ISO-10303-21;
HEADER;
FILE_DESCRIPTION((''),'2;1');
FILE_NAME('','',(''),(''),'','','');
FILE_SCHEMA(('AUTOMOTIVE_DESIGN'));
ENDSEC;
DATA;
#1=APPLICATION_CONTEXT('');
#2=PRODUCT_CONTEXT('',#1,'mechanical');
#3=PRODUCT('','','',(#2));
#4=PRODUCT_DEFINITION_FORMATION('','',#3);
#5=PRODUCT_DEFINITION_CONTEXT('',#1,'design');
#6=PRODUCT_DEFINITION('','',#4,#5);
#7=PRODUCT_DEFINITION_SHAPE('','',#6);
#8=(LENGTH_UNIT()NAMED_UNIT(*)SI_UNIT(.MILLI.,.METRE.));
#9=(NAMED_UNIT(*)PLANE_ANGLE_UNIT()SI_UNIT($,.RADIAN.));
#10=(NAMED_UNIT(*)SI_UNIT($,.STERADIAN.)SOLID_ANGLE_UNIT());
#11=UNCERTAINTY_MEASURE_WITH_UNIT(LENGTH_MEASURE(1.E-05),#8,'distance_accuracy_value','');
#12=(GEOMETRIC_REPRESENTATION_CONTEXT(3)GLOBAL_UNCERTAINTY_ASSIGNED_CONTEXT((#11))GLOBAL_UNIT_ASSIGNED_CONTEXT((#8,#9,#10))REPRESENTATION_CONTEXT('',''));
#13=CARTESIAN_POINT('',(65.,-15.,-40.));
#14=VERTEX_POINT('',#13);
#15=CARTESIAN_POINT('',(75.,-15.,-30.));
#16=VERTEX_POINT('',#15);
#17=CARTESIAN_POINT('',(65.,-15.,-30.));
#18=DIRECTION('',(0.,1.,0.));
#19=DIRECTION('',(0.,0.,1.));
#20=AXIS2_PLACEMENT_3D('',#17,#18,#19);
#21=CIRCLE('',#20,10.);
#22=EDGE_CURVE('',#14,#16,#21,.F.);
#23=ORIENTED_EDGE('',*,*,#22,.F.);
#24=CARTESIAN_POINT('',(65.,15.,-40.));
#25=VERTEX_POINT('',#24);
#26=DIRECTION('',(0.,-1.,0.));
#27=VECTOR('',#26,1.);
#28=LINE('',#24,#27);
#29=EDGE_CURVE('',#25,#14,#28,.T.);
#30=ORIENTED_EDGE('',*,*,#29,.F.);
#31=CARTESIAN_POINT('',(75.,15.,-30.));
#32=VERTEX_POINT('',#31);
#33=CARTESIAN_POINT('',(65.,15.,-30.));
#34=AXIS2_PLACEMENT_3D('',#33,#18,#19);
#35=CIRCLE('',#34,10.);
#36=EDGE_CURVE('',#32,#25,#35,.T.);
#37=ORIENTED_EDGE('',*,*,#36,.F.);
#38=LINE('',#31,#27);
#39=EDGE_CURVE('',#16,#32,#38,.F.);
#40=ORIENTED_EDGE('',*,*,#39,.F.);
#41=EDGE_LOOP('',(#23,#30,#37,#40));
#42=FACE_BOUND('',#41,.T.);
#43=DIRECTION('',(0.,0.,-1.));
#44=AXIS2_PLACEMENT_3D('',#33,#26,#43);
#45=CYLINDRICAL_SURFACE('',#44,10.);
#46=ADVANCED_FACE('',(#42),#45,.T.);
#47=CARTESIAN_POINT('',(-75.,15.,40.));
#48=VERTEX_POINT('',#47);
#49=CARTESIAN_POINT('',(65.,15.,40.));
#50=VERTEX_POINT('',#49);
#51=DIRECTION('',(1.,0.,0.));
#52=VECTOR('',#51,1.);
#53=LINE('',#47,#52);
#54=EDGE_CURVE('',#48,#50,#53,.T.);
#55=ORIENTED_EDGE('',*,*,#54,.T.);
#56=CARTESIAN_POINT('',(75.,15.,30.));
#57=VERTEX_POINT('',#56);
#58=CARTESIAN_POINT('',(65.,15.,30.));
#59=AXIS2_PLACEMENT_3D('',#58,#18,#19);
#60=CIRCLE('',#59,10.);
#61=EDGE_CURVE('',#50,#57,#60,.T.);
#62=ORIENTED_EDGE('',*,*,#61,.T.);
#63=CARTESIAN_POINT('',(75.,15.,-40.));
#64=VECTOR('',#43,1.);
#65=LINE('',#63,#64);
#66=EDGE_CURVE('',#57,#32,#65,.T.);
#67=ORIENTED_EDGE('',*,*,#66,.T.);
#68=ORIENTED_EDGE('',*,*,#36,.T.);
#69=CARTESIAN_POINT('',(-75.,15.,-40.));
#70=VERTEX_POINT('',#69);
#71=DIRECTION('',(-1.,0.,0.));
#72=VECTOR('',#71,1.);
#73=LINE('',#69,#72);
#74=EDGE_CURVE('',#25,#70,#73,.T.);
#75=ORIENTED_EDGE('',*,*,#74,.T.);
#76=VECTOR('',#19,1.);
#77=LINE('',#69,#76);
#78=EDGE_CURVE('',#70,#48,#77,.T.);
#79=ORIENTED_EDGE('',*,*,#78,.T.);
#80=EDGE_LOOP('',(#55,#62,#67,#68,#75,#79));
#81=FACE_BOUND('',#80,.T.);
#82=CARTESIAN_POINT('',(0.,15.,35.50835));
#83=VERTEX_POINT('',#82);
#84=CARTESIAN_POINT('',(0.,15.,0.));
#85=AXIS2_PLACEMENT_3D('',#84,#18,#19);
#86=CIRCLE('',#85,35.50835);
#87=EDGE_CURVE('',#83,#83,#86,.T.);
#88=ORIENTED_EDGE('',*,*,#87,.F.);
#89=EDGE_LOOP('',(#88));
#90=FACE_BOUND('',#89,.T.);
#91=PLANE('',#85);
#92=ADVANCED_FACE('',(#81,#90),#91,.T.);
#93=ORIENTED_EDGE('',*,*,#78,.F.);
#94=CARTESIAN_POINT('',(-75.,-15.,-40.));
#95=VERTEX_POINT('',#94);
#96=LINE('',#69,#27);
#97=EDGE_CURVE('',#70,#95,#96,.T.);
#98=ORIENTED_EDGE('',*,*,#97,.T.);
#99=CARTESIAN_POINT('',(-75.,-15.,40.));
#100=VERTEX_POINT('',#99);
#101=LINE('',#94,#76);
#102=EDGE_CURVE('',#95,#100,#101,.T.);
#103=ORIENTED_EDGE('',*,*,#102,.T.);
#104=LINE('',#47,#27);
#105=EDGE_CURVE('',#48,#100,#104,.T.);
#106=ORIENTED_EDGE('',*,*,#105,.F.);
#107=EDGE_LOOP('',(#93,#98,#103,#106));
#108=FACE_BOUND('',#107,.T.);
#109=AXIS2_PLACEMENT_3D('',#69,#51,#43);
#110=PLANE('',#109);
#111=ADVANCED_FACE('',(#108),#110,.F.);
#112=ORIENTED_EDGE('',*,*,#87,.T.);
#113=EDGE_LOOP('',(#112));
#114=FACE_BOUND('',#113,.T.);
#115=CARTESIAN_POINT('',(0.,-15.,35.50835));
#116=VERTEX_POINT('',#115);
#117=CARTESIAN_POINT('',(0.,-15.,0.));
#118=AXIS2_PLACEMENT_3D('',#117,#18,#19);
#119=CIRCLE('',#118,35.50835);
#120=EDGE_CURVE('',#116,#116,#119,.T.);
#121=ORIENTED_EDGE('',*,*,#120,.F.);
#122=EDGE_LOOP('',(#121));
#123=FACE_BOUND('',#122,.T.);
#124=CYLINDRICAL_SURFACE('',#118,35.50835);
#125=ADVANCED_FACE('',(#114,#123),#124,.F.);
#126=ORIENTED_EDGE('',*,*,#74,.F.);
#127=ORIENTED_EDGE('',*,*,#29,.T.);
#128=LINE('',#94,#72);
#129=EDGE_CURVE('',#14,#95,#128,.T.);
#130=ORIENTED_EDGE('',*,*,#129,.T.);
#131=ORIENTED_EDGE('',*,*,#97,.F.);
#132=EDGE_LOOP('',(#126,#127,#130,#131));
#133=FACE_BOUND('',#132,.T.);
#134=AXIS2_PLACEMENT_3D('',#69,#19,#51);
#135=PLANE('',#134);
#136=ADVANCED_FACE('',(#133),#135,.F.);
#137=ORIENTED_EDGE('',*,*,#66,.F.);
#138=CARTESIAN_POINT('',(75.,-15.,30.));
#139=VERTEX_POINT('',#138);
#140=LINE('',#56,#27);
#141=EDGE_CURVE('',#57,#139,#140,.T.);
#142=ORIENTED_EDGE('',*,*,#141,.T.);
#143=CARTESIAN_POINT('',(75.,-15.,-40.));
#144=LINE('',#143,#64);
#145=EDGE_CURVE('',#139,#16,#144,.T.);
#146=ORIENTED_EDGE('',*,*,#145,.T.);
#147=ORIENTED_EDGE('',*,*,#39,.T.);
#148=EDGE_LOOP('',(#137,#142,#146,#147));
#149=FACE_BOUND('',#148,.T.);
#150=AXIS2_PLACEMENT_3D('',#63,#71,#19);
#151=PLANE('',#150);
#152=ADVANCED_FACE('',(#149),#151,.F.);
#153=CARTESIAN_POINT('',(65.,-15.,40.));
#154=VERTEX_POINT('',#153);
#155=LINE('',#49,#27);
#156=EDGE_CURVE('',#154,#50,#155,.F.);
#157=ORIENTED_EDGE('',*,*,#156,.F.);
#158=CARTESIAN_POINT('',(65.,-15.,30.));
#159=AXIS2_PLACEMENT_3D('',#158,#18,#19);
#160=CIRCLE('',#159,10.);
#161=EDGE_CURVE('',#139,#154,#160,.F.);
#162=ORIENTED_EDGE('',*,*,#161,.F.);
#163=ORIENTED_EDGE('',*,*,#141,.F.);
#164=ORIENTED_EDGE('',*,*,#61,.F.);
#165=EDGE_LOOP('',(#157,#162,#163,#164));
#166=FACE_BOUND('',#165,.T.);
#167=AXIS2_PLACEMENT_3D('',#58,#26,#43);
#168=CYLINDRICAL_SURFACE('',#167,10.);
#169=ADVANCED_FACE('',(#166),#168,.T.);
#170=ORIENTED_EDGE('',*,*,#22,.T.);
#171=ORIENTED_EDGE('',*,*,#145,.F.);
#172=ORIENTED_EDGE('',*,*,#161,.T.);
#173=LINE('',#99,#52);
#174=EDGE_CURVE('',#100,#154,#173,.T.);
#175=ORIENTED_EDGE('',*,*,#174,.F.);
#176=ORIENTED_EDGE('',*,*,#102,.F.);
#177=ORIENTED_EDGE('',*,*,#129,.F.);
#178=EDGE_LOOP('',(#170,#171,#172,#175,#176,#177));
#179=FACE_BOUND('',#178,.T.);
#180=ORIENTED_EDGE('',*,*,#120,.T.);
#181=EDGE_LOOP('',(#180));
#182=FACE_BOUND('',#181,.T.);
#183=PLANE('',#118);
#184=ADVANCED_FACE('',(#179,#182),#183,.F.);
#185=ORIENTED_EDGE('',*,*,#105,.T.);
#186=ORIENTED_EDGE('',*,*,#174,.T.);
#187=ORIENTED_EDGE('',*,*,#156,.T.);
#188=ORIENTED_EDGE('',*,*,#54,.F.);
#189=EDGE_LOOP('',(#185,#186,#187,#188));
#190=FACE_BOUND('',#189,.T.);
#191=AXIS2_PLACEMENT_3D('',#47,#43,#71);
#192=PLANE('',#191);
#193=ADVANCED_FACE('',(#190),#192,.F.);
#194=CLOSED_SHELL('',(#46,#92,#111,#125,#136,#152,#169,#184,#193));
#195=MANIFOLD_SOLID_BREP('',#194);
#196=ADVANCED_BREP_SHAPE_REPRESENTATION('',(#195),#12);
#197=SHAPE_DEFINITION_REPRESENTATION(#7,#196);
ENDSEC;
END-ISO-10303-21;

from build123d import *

# Parameters (mm, degrees)
SKETCH1_W           = 150
SKETCH1_H           = 80
BOSS_EXTRUDE1_DEPTH = 15
SKETCH2_R           = 35.508350292
CUT_EXTRUDE1_DEPTH  = 31
FILLET1_R           = 10


with BuildPart() as part:
    # Sketch1 → Boss-Extrude1 (new body, symmetric)
    with BuildSketch(Plane(origin=(0, 0, 0), x_dir=(1, 0, 0), z_dir=(0, 1, 0))):
        Rectangle(SKETCH1_W, SKETCH1_H)
    extrude(amount=BOSS_EXTRUDE1_DEPTH, both=True)

    # Sketch2 → Cut-Extrude1 (cut, through all)
    with BuildSketch(Plane(origin=(0, 15, 0), x_dir=(1, 0, 0), z_dir=(0, 1, 0))):
        Circle(SKETCH2_R)
    extrude(amount=-CUT_EXTRUDE1_DEPTH, mode=Mode.SUBTRACT)

    # Fillet1
    fillet1_edges = [part.edges().sort_by_distance(p)[0] for p in [
        (75, 0, 40),
        (75, 0, -40),
    ]]
    fillet(fillet1_edges, radius=FILLET1_R)


solid = part.part
